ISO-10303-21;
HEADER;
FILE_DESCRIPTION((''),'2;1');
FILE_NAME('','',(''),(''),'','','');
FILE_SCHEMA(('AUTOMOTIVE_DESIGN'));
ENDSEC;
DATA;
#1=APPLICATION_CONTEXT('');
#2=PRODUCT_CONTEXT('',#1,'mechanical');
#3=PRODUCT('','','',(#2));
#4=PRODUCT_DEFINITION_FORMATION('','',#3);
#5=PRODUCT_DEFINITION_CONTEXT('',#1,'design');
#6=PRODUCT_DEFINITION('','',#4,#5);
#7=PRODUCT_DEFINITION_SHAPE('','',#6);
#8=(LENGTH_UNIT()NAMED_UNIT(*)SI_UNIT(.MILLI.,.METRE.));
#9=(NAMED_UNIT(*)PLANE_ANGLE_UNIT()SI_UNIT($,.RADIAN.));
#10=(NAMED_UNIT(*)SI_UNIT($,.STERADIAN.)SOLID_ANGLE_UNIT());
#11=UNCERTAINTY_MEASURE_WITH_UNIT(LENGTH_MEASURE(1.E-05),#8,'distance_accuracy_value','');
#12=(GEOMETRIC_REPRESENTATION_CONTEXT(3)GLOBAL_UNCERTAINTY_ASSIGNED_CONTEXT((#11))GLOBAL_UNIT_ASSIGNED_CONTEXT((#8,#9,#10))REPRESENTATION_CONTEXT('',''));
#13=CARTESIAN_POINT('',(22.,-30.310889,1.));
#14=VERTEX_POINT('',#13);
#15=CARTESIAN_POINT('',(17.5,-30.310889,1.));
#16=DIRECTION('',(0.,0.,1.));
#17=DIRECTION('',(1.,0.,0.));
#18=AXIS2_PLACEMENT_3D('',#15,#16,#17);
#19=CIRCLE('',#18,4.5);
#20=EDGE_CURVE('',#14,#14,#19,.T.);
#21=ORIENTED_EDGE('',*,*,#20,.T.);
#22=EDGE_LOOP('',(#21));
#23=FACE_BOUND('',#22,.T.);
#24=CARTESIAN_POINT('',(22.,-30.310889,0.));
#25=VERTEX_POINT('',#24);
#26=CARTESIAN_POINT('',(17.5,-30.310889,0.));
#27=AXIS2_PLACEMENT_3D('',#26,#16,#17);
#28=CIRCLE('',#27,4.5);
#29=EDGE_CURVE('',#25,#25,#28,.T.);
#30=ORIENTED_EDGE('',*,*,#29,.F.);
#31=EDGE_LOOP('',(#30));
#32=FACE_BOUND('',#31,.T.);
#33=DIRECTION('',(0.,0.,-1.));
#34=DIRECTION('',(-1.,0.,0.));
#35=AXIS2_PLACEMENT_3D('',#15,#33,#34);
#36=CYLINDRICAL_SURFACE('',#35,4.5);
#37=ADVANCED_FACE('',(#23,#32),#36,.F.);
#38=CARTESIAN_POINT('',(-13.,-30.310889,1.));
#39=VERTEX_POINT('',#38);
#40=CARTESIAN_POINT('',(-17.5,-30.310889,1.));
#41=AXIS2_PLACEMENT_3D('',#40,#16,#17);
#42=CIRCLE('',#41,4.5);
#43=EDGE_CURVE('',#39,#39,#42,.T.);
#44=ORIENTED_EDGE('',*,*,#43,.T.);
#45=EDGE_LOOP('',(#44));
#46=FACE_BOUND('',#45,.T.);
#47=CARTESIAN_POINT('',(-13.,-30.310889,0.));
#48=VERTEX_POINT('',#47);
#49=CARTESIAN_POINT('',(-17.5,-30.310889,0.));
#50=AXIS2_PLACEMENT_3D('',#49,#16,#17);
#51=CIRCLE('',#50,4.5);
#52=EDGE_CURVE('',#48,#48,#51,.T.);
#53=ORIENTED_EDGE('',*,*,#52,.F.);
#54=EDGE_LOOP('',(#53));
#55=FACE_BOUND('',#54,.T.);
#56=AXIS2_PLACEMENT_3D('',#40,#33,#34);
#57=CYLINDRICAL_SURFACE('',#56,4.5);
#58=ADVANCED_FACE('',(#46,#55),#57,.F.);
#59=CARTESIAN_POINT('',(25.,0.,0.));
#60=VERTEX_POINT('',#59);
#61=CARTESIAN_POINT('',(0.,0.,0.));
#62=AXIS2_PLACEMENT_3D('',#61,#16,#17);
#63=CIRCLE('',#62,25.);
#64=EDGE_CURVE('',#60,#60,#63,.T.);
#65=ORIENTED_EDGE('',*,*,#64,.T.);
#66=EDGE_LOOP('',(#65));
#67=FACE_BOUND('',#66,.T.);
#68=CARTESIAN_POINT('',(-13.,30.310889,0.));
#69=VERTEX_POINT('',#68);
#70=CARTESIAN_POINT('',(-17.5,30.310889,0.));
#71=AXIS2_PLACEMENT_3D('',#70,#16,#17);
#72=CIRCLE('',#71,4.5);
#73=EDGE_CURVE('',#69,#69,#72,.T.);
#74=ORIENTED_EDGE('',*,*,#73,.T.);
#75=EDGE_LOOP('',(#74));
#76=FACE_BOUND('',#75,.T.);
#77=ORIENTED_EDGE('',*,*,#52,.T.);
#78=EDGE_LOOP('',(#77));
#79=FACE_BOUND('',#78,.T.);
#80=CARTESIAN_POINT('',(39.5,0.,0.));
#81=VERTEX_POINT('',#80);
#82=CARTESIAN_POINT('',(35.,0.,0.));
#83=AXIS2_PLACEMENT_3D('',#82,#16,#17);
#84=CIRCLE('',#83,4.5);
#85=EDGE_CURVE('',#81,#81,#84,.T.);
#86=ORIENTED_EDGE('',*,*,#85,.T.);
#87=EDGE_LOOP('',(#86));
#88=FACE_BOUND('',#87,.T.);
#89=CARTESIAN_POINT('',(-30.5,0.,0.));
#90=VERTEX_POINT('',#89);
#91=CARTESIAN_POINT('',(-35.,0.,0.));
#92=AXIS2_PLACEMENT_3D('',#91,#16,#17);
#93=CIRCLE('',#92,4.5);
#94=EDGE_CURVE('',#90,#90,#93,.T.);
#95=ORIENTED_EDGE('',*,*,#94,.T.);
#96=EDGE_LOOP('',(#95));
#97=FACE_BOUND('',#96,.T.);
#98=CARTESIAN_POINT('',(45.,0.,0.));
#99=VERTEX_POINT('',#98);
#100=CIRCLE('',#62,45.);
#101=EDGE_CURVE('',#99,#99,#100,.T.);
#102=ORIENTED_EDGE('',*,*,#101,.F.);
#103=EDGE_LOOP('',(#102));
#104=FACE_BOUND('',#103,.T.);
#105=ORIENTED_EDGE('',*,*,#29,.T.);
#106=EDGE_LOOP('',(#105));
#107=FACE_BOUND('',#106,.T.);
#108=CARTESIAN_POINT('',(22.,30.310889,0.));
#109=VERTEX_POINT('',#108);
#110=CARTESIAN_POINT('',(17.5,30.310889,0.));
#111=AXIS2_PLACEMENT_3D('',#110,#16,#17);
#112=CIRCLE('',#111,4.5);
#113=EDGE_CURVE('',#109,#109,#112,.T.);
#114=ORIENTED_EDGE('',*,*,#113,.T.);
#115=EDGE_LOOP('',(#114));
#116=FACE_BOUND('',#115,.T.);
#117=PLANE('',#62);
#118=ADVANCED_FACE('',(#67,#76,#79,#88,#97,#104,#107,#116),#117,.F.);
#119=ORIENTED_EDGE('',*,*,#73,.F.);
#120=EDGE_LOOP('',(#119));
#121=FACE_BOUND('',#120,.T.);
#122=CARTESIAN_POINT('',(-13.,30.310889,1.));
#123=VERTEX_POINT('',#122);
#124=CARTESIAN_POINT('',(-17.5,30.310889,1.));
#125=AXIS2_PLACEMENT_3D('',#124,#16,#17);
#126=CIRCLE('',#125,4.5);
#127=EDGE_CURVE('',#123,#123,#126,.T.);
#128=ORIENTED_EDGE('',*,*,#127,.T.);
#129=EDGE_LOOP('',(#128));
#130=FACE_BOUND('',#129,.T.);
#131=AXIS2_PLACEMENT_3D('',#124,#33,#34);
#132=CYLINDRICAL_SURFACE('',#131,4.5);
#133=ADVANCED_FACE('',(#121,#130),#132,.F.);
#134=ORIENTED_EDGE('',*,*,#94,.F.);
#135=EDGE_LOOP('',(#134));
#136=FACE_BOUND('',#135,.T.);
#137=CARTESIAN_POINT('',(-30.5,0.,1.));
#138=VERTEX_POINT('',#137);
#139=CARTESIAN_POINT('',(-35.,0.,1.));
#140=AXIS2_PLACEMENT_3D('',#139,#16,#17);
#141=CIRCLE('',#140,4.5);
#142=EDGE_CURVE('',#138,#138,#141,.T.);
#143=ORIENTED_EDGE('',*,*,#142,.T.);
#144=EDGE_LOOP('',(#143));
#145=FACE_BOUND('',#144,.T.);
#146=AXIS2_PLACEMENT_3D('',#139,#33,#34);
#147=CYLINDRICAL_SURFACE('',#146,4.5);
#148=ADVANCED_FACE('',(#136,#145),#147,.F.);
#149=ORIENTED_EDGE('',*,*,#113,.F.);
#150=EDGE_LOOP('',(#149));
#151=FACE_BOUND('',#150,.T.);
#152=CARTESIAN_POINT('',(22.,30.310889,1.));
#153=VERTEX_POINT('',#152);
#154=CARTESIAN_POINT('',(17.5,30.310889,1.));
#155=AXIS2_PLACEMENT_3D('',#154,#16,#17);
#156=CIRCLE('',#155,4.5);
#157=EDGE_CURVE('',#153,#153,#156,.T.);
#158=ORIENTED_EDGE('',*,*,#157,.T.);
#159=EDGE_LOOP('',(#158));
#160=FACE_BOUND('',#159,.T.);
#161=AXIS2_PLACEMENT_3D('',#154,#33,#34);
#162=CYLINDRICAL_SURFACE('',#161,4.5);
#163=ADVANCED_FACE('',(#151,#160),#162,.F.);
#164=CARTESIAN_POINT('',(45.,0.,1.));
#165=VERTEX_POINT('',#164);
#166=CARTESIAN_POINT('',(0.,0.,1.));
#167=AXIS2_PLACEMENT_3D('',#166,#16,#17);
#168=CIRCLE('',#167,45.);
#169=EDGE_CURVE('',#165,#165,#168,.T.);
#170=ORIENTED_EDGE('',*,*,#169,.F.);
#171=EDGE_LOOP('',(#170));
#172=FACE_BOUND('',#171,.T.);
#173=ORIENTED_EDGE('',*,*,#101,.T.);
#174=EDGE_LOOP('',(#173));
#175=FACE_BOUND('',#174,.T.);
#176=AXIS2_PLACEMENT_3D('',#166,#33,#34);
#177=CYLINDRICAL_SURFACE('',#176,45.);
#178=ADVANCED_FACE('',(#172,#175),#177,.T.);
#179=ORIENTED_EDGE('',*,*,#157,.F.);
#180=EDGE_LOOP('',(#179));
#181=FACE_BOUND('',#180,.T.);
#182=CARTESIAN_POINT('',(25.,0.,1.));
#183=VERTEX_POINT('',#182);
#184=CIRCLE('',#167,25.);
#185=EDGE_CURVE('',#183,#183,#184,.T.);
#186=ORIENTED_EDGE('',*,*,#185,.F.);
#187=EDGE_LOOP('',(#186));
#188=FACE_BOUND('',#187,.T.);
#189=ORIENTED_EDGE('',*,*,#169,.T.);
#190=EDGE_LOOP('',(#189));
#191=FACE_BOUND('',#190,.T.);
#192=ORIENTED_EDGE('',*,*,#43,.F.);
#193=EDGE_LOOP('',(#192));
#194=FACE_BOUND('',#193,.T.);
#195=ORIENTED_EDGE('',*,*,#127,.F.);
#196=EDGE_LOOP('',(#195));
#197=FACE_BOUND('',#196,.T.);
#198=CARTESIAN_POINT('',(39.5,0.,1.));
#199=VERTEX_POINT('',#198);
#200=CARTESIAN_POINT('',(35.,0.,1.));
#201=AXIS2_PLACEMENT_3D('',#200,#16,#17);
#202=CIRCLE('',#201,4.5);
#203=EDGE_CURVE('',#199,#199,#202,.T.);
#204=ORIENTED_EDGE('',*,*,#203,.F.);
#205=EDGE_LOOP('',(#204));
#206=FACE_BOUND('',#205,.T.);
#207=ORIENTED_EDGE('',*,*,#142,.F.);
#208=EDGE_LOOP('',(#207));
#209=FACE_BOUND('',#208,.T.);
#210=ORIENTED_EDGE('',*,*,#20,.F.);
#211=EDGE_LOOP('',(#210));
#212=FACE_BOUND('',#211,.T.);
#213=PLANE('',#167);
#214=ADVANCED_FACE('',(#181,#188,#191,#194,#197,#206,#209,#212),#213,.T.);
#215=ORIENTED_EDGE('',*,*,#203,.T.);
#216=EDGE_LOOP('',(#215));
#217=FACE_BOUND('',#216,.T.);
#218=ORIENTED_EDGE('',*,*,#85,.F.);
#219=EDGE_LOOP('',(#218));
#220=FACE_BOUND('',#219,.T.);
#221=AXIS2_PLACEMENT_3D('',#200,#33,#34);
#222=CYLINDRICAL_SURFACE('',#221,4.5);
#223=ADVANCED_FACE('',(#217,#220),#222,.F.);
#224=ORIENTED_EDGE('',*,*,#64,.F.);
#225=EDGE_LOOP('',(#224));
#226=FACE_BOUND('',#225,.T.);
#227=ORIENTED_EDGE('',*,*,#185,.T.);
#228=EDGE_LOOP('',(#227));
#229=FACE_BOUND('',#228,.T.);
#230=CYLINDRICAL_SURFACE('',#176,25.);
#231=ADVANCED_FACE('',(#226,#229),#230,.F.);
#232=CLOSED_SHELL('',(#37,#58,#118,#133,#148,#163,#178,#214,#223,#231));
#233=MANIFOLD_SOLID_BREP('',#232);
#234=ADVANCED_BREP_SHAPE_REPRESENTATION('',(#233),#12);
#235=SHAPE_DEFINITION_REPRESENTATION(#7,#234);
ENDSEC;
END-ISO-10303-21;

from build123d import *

# Parameters (mm, degrees)
SKICA2_R                = 45
SKICA2_R_2              = 25
SKICA2_R_3              = 4.5
P_IDAT_VYSUNUT_M1_DEPTH = 1


with BuildPart() as part:
    # Skica2 → Přidat vysunutím1 (new body)
    with BuildSketch(Plane.XY):
        Circle(SKICA2_R)
        Circle(SKICA2_R_2, mode=Mode.SUBTRACT)
        with Locations((17.5, 30.310889132)):
            Circle(SKICA2_R_3, mode=Mode.SUBTRACT)
        with Locations((35, 0)):
            Circle(SKICA2_R_3, mode=Mode.SUBTRACT)
        with Locations((17.5, -30.310889132)):
            Circle(SKICA2_R_3, mode=Mode.SUBTRACT)
        with Locations((-17.5, -30.310889132)):
            Circle(SKICA2_R_3, mode=Mode.SUBTRACT)
        with Locations((-35, 0)):
            Circle(SKICA2_R_3, mode=Mode.SUBTRACT)
        with Locations((-17.5, 30.310889132)):
            Circle(SKICA2_R_3, mode=Mode.SUBTRACT)
    extrude(amount=P_IDAT_VYSUNUT_M1_DEPTH)


solid = part.part
